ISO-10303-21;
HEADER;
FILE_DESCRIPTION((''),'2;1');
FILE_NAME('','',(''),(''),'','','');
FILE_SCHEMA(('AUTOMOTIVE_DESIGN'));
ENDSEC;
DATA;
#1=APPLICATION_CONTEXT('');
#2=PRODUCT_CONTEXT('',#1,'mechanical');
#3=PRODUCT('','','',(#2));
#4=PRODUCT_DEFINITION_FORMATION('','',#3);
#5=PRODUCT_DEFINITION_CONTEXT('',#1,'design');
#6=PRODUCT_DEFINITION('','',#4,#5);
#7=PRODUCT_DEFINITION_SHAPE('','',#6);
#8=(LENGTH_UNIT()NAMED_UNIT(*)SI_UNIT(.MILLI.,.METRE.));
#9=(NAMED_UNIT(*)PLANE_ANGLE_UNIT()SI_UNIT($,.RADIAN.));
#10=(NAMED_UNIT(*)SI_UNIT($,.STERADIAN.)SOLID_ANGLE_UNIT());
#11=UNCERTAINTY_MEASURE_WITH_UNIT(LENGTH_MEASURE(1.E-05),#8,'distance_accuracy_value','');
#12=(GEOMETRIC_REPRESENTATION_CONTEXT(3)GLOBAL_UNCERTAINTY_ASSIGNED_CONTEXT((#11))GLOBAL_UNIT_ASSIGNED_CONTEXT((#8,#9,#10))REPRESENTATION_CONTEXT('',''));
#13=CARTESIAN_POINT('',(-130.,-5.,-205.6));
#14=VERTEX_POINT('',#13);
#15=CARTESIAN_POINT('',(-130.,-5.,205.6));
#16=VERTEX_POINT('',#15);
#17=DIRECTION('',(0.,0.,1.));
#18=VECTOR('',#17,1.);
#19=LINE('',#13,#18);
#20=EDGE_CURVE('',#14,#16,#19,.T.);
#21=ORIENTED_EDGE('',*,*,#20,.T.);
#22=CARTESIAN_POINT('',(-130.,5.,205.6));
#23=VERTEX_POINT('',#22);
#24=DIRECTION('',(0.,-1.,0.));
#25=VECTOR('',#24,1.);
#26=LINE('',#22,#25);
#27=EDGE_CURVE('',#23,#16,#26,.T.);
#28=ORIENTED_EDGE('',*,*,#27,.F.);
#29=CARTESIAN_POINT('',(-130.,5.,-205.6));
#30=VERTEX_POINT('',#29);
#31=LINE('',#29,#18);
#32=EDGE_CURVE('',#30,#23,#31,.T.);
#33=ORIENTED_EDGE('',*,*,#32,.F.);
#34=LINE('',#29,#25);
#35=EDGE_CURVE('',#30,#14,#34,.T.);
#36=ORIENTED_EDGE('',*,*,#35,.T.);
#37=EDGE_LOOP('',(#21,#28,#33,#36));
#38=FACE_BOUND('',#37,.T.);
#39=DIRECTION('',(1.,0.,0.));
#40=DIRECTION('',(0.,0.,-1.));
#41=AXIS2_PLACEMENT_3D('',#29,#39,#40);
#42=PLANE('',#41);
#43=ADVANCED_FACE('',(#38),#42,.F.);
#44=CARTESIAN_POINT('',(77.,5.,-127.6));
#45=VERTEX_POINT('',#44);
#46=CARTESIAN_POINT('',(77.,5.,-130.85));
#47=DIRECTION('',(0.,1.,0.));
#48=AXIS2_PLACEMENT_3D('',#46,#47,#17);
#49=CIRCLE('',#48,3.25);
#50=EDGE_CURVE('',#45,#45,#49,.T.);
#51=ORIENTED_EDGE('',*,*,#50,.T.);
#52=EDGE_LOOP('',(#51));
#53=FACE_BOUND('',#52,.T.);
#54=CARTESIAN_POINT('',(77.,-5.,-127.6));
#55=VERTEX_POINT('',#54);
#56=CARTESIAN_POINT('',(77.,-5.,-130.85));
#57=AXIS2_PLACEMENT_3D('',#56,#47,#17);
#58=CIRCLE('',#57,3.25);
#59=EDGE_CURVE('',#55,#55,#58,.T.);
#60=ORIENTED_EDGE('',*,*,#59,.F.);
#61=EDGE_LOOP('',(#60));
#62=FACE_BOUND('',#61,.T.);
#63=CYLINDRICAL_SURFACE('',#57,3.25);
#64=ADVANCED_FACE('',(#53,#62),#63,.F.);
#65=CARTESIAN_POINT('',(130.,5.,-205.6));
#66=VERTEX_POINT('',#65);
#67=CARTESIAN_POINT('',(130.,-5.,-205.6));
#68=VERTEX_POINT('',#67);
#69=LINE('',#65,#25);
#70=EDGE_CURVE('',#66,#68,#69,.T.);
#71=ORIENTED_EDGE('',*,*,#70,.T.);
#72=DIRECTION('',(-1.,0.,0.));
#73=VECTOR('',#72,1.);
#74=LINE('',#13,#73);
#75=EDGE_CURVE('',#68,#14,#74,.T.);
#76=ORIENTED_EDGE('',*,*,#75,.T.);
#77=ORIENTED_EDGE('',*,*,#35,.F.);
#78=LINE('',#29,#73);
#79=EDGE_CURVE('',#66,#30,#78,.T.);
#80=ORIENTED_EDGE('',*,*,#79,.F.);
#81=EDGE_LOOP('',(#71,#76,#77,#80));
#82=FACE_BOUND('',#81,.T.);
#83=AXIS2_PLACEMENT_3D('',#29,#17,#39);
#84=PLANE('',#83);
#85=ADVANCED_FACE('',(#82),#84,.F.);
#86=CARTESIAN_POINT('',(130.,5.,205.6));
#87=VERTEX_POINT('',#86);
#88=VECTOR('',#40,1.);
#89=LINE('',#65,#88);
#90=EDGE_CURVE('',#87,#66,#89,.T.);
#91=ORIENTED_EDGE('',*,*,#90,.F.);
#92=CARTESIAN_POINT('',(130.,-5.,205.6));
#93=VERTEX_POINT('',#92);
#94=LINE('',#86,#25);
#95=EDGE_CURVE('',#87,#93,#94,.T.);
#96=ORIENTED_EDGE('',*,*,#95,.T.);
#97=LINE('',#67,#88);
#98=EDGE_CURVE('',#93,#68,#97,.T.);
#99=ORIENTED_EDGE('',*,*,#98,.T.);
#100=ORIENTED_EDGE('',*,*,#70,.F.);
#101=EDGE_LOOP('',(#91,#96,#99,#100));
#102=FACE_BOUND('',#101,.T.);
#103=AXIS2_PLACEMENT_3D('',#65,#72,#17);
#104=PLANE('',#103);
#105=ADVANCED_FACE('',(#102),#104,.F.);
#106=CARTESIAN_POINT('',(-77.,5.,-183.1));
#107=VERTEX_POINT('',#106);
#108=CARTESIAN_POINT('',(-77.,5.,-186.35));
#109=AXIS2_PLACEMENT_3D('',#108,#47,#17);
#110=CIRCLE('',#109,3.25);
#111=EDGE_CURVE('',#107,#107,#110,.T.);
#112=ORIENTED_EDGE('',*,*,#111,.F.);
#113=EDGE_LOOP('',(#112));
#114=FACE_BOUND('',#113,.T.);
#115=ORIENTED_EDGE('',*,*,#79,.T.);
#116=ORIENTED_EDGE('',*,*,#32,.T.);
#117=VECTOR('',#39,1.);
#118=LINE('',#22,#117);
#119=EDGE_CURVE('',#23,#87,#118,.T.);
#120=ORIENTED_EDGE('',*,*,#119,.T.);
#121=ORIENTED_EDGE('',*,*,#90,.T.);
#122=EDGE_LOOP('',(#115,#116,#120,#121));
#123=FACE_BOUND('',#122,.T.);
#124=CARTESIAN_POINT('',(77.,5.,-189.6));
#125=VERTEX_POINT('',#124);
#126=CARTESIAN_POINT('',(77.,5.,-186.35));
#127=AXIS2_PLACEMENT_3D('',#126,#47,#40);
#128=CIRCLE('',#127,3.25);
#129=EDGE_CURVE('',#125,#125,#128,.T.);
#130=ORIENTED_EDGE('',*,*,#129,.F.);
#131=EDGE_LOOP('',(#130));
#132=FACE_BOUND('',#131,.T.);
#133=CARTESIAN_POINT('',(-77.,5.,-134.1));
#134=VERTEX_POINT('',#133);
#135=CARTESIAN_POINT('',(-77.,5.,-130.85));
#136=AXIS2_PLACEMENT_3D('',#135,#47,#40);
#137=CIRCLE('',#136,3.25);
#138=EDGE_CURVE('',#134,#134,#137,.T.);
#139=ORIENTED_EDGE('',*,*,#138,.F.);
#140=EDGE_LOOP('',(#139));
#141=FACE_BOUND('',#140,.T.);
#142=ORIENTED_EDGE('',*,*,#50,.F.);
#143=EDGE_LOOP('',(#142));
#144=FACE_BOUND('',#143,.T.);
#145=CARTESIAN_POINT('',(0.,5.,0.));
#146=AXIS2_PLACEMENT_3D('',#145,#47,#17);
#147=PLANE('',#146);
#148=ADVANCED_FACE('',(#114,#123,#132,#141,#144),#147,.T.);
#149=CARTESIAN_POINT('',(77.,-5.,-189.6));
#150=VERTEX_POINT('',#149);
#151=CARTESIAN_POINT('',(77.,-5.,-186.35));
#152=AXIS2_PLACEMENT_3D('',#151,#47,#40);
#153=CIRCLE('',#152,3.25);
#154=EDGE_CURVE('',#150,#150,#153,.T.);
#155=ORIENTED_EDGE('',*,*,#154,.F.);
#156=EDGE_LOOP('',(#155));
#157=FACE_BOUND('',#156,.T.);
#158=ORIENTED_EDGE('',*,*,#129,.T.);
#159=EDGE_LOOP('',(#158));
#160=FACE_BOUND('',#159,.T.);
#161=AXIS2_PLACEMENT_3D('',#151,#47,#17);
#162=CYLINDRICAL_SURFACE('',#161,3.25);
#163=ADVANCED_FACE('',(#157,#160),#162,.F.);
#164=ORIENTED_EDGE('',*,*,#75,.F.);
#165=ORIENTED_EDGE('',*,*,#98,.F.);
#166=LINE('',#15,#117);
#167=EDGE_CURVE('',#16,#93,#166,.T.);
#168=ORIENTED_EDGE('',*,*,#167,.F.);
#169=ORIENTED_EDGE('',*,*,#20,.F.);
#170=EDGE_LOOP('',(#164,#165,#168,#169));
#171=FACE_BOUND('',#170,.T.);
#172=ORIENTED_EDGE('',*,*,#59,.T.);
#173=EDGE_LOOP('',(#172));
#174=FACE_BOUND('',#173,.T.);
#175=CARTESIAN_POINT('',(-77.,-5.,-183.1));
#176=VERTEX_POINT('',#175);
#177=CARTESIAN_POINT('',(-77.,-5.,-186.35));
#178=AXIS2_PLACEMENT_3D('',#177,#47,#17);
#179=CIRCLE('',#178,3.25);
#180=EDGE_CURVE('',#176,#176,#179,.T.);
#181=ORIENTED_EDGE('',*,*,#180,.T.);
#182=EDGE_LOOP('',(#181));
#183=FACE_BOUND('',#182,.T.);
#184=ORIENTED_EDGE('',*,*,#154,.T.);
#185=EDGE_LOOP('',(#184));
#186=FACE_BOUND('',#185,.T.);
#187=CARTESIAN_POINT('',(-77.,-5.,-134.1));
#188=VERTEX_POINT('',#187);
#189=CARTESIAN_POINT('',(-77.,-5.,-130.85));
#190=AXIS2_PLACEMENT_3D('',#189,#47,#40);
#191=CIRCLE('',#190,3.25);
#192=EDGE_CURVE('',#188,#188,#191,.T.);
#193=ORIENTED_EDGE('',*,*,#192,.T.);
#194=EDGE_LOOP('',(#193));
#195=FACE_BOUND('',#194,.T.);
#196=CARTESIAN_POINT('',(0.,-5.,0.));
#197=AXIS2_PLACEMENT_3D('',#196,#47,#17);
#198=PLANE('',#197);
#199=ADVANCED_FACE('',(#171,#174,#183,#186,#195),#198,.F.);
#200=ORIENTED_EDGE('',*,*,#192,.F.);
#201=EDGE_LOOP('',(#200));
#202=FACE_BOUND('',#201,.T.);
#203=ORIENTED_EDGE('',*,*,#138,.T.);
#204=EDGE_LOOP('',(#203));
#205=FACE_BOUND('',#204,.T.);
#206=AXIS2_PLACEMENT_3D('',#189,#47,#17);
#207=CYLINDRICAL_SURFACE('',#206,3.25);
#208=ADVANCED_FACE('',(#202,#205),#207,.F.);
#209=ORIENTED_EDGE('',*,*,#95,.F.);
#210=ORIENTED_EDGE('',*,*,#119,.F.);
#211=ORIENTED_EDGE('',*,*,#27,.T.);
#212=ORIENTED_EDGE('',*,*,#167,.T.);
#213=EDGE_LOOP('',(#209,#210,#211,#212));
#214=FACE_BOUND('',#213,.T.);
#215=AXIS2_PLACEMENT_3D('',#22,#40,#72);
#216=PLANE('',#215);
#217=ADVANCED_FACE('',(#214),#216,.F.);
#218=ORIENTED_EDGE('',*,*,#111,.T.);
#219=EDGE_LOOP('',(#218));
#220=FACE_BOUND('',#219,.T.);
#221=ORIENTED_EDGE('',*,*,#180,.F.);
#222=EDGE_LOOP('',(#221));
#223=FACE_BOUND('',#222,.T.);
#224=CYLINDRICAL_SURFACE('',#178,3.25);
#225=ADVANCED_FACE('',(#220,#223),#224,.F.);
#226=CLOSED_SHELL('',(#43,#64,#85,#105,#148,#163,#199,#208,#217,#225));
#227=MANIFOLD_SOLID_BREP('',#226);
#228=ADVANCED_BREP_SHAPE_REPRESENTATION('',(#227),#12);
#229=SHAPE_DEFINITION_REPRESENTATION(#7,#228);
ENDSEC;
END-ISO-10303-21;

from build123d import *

# Parameters (mm, degrees)
CROQUIS2_W              = 260
CROQUIS2_H              = 411.2
SALIENTE_EXTRUIR1_DEPTH = 5
CROQUIS3_R              = 3.25
CORTAR_EXTRUIR1_DEPTH   = 244.457100944


with BuildPart() as part:
    # Croquis2 → Saliente-Extruir1 (new, symmetric)
    with BuildSketch(Plane(origin=(0, 0, 0), x_dir=(1, 0, 0), z_dir=(0, 1, 0))):
        Rectangle(CROQUIS2_W, CROQUIS2_H)
    extrude(amount=SALIENTE_EXTRUIR1_DEPTH, both=True)

    # Croquis3 → Cortar-Extruir1 (cut, through all)
    with BuildSketch(Plane(origin=(0, 5, 0), x_dir=(1, 0, 0), z_dir=(0, 1, 0))):
        with Locations(Location((77, 186.35, 0), (0, 0, 90))):
            Circle(CROQUIS3_R)
        with Locations(Location((77, 130.85, 0), (0, 0, 270))):
            Circle(CROQUIS3_R)
        with Locations(Location((-77, 186.35, 0), (0, 0, 270))):
            Circle(CROQUIS3_R)
        with Locations(Location((-77, 130.85, 0), (0, 0, 90))):
            Circle(CROQUIS3_R)
    extrude(amount=-CORTAR_EXTRUIR1_DEPTH, mode=Mode.SUBTRACT)


solid = part.part
